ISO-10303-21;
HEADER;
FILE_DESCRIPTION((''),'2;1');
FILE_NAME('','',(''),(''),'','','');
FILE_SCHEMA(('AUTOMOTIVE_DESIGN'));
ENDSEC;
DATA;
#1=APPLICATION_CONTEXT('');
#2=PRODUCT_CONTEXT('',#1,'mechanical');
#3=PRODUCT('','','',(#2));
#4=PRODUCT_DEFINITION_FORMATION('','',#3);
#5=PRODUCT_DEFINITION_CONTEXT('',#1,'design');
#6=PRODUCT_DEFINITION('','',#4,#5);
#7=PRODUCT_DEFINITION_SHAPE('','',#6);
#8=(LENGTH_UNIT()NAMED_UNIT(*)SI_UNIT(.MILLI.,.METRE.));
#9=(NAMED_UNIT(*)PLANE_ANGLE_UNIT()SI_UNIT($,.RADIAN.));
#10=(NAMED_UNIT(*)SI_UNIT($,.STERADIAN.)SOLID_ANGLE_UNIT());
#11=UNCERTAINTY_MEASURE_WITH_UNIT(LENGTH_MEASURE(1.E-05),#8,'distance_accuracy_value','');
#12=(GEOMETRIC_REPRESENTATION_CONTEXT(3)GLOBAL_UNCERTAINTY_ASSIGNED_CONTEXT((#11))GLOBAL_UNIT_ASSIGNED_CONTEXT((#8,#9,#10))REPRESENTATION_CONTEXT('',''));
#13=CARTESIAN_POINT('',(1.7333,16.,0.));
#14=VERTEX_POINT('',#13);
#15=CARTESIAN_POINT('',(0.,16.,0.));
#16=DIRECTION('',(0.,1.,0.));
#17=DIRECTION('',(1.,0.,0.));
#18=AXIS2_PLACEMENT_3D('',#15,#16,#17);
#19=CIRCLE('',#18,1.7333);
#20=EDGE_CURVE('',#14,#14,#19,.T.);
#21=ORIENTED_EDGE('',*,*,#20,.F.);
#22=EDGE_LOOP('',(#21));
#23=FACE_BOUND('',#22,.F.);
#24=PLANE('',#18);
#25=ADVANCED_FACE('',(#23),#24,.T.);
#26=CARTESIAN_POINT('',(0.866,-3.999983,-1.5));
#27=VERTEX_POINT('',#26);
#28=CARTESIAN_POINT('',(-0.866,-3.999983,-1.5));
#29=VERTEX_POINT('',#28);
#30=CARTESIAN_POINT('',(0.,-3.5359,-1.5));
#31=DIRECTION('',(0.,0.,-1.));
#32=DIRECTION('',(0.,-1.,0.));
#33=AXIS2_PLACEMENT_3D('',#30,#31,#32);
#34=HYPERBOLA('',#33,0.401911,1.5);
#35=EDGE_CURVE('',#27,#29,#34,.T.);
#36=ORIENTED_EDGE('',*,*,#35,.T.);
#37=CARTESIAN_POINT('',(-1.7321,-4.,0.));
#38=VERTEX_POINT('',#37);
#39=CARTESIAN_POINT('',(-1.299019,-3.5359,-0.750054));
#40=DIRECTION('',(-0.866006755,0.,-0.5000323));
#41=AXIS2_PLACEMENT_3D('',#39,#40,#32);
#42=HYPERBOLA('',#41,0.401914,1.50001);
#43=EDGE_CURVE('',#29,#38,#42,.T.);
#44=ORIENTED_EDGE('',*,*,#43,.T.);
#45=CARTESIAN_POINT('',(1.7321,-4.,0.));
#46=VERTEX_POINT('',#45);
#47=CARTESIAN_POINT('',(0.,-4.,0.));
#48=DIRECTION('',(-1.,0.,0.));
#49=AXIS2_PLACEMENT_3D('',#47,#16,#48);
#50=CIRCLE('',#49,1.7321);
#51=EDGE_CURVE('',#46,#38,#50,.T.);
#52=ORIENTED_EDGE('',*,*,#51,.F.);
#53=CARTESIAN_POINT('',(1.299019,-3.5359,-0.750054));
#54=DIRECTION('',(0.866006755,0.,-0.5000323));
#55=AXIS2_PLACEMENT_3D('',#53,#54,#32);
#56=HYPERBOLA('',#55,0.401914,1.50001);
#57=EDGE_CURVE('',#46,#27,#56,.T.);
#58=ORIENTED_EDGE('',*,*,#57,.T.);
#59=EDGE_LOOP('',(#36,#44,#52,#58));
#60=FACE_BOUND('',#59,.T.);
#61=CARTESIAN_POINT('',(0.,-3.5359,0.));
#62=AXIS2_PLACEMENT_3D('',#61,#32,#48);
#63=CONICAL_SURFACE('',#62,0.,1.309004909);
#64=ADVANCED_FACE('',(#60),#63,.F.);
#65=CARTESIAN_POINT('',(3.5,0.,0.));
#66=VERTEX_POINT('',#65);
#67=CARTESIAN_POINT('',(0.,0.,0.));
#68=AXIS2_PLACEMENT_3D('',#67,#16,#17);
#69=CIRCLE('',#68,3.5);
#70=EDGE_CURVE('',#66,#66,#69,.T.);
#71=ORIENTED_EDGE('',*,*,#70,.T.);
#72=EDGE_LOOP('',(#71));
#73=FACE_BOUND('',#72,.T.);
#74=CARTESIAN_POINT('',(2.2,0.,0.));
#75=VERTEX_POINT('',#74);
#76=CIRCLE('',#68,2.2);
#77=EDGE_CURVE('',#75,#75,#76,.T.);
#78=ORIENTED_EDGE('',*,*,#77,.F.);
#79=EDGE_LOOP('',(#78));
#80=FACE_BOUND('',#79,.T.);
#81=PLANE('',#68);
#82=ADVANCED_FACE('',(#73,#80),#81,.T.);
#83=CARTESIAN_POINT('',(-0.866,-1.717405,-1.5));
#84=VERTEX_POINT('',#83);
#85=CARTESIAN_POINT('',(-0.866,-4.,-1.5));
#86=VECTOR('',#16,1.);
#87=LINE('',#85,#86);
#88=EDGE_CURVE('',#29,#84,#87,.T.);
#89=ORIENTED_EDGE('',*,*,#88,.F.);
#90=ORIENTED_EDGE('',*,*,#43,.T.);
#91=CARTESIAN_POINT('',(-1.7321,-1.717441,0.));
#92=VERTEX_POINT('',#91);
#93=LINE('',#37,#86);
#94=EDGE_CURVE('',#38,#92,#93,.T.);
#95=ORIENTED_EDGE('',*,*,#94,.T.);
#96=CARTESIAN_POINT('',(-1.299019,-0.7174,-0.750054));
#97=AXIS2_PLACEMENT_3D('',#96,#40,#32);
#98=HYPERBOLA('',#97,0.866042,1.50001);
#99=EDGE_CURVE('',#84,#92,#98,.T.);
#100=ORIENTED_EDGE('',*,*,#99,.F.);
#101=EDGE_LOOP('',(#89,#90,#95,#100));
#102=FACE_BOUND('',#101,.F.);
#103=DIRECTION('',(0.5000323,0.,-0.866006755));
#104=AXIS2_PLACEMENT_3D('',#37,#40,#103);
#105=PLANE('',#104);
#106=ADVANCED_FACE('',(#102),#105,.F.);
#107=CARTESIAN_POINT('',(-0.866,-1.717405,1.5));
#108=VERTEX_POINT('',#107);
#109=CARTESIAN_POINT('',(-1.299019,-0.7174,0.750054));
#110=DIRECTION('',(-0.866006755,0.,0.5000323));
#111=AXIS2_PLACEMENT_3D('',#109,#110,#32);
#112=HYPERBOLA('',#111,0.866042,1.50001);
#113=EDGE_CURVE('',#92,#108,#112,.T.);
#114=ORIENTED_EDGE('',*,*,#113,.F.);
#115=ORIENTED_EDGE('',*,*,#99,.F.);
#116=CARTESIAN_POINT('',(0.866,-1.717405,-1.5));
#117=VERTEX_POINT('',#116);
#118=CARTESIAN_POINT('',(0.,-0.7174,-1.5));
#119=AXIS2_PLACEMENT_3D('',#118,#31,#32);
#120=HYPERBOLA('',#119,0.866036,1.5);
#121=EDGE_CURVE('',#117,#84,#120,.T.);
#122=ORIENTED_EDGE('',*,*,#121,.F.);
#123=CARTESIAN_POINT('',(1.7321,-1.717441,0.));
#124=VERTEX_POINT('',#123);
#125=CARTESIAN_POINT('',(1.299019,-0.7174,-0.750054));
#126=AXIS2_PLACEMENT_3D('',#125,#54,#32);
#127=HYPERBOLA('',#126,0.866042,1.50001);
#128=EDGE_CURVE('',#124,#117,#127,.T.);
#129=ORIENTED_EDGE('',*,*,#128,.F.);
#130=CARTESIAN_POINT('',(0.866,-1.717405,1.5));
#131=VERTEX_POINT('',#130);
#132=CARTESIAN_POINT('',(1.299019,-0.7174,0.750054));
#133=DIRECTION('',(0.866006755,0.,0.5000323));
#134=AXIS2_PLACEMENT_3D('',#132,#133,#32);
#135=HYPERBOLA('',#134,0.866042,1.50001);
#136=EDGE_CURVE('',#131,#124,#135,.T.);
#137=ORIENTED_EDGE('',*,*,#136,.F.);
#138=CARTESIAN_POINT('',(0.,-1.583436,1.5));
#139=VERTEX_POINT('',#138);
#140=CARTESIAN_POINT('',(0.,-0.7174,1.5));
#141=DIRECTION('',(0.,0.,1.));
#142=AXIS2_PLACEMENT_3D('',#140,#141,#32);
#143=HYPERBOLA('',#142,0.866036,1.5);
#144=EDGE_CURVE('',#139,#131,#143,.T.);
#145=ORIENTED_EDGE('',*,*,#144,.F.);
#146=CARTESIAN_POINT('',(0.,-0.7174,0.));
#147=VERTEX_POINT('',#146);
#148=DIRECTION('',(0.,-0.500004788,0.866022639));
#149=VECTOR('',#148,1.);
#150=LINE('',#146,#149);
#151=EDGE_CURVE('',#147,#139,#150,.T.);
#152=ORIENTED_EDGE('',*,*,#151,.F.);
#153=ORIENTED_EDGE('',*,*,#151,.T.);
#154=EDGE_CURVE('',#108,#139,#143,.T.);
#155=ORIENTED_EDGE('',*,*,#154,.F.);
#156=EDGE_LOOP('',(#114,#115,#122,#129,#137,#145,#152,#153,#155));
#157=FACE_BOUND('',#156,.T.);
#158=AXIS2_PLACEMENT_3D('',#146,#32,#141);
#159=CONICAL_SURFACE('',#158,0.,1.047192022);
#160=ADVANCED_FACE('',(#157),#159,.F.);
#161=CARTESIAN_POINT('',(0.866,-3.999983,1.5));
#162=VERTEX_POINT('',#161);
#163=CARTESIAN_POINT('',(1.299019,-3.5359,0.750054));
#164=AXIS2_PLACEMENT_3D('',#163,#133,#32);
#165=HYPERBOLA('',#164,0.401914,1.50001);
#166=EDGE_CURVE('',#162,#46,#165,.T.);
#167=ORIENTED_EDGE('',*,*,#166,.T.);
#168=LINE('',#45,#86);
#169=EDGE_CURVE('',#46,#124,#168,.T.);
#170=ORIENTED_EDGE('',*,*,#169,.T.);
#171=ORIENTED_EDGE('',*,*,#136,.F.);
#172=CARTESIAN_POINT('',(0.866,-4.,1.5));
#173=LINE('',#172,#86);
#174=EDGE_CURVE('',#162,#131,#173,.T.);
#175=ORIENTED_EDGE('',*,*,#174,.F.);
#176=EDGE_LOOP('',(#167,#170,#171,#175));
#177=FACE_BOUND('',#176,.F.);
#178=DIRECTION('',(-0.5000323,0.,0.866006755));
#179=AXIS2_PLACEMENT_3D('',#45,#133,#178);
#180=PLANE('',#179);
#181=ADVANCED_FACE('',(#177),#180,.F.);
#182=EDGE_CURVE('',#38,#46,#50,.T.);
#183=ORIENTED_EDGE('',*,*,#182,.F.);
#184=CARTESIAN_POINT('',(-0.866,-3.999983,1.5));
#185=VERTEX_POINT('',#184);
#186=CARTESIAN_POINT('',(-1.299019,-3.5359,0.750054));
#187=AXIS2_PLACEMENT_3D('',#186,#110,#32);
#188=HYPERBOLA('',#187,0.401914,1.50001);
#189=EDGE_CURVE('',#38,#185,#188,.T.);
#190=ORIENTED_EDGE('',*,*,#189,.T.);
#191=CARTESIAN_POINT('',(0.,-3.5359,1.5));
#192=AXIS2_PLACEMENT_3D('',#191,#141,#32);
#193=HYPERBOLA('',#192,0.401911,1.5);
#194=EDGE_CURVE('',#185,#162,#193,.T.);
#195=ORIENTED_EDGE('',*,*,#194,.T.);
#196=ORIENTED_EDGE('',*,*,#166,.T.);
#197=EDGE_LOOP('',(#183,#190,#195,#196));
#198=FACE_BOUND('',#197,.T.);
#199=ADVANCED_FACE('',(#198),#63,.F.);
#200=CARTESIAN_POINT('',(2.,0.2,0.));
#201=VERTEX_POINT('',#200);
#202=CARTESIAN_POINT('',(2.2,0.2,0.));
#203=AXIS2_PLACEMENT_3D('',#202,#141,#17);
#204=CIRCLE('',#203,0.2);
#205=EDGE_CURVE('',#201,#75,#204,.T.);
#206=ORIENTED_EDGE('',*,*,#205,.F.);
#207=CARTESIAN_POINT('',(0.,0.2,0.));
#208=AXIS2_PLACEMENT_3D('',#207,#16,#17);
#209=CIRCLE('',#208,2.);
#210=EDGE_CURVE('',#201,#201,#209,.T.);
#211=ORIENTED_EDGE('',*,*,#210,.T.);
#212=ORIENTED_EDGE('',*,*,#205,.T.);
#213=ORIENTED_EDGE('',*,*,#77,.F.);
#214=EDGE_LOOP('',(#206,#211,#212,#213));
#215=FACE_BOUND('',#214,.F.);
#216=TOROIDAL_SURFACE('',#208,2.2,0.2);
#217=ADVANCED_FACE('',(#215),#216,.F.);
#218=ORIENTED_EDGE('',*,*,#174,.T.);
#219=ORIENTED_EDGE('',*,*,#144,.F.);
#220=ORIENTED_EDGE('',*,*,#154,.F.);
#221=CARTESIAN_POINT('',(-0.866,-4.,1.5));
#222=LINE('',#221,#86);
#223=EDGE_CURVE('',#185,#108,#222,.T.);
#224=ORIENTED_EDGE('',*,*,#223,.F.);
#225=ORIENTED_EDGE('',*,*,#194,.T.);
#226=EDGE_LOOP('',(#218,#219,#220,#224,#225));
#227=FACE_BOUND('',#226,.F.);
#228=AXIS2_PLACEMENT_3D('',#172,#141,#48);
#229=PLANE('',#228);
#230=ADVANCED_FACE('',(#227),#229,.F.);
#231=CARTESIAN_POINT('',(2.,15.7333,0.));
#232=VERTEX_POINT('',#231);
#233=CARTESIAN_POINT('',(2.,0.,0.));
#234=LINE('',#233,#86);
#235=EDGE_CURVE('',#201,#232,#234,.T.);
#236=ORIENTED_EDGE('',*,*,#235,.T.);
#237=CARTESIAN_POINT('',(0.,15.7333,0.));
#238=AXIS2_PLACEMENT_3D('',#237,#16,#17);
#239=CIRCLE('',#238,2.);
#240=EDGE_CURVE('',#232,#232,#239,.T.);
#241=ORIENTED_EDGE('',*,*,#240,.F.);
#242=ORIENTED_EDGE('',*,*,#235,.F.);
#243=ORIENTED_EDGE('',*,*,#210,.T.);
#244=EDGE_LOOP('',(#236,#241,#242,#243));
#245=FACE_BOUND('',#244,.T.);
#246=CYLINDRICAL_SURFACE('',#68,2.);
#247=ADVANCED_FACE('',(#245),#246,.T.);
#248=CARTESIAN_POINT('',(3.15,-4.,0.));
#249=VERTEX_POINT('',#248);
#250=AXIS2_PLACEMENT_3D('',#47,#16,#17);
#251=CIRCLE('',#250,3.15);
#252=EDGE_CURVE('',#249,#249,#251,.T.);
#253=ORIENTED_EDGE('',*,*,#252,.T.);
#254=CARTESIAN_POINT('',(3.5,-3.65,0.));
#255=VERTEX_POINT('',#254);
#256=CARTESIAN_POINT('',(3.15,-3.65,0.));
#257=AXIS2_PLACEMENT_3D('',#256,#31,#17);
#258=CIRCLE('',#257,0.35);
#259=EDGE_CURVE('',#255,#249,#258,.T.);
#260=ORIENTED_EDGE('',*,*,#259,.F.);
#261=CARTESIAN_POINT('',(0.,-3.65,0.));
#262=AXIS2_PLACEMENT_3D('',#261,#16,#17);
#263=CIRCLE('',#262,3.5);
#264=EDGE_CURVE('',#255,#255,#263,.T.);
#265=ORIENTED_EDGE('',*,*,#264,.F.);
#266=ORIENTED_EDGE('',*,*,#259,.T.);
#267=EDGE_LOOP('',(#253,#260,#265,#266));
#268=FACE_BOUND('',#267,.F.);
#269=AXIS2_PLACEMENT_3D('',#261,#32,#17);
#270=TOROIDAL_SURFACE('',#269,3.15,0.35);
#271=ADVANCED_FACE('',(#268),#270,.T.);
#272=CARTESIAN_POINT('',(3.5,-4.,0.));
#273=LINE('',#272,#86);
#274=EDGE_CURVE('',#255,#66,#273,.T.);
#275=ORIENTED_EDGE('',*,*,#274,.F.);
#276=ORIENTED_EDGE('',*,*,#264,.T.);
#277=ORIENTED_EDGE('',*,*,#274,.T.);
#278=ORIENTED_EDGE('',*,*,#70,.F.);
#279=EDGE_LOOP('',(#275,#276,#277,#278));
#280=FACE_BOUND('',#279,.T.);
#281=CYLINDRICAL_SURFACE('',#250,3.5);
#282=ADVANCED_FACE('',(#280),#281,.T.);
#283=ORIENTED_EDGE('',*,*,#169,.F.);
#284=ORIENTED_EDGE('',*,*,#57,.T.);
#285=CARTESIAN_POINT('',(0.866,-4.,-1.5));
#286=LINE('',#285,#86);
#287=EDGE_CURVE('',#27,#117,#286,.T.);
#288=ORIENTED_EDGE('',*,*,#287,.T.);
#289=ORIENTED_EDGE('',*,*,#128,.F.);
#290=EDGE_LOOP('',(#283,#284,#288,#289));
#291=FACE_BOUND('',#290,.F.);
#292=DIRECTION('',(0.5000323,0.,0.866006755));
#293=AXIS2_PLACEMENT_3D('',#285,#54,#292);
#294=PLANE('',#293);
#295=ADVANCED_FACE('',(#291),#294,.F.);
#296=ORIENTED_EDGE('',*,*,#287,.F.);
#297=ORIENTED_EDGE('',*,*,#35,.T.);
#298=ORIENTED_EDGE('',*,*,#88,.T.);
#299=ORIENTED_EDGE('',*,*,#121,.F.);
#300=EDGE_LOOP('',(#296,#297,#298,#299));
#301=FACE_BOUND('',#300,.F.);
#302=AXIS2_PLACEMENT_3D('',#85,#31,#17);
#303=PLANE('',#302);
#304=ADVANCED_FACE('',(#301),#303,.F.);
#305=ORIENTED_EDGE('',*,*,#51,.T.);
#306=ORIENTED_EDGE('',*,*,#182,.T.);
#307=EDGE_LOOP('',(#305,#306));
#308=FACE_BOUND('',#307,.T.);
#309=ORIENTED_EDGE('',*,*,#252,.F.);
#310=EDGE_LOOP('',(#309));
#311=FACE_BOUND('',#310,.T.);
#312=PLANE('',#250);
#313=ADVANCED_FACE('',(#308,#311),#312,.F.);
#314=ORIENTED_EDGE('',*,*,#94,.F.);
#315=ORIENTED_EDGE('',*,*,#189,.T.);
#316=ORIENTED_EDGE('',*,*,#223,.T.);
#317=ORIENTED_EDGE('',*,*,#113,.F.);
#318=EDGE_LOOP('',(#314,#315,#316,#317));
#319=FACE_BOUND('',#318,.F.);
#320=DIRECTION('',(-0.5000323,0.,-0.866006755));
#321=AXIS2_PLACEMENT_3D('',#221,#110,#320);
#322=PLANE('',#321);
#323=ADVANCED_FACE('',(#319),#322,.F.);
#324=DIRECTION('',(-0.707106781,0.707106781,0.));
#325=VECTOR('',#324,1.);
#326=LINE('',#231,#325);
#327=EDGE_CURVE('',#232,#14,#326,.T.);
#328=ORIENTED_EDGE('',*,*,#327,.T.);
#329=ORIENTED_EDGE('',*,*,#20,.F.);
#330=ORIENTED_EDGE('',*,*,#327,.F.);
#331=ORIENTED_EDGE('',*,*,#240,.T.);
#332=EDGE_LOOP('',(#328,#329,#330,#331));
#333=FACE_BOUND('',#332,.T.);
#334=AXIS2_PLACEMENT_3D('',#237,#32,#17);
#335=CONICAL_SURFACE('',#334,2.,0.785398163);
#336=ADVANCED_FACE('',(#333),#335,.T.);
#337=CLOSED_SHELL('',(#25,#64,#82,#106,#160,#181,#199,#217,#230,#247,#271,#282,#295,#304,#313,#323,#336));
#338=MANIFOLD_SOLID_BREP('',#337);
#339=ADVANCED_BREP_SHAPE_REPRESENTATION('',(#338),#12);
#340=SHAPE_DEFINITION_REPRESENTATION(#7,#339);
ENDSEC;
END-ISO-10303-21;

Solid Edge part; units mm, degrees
sketch "Sketch1" plane through (0, 0, 0) normal (0, 0, 1) x (1, 0, 0)
  line L0 (2, 0) -> (2, 16)
  line L1 (0, 16) -> (2, 16)
  line L2 (0, 0) -> (0, 16)
  line L3 (0, 0) -> (0, -4)
  line L4 (0, -4) -> (3.5, -4)
  line L5 (3.5, -4) -> (3.5, 0)
  line L6 (3.5, 0) -> (2, 0)
revolve "RevolvedProtrusion1" add sketch "Sketch1" angle 360 about axis through (0, 0, 0) along (0, 1, 0)
sketch "Sketch2" plane through (0, 0, 0) normal (1, 0, 0) x (0, 1, 0)
  line L0 (-4, 2.2215) -> (-2, 2.2215)
  line L1 (-0.7174, 0) -> (-2, 2.2215)
  line L2 (-4, 0) -> (-0.7174, 0)
  line L3 (-4, 0) -> (-4, 2.2215)
revolve "RevolvedCutout1" cut sketch "Sketch2" angle 360 about axis through (0, -4.5, 0) along (0, 1, 0)
sketch "Sketch3" plane through (0, -4, 0) normal (0, -1, 0) x (0, 0, 1)
  circle A0 centre (0, 0) radius 2.2215
  line L0 (-1.5, -0.866) -> (0, -1.7321)
  line L1 (0, -1.7321) -> (1.5, -0.866)
  line L2 (1.5, -0.866) -> (1.5, 0.866)
  line L3 (1.5, 0.866) -> (0, 1.7321)
  line L4 (0, 1.7321) -> (-1.5, 0.866)
  line L5 (-1.5, 0.866) -> (-1.5, -0.866)
  dimension "D1" = 3
extrude "Protrusion1" add sketch "Sketch3" against normal up to next
sketch "Sketch4" plane through (0, 0, 0) normal (0, 0, 1) x (1, 0, 0)
  line L0 (-1.7321, -4) -> (0, -4)
  line L1 (0, -4) -> (0, -3.5359)
  line L2 (0, -3.5359) -> (-1.7321, -4)
revolve "RevolvedCutout2" cut sketch "Sketch4" angle 360 about axis through (0, -4.5, 0) along (0, 1, 0)
fillet "Round1" radius 0.2 1 edges at (0, 0, -2)
fillet "Round2" radius 0.35 1 edges at (0, -4, -3.5)
chamfer "倒斜角_2" distance 0.2667 angle 45 1 edges at (0, 16, -2)
cosmetic_thread "螺纹_3" size "M4" thread depth 12.8
properties part number "N2611-031H" material "铝 1060"
